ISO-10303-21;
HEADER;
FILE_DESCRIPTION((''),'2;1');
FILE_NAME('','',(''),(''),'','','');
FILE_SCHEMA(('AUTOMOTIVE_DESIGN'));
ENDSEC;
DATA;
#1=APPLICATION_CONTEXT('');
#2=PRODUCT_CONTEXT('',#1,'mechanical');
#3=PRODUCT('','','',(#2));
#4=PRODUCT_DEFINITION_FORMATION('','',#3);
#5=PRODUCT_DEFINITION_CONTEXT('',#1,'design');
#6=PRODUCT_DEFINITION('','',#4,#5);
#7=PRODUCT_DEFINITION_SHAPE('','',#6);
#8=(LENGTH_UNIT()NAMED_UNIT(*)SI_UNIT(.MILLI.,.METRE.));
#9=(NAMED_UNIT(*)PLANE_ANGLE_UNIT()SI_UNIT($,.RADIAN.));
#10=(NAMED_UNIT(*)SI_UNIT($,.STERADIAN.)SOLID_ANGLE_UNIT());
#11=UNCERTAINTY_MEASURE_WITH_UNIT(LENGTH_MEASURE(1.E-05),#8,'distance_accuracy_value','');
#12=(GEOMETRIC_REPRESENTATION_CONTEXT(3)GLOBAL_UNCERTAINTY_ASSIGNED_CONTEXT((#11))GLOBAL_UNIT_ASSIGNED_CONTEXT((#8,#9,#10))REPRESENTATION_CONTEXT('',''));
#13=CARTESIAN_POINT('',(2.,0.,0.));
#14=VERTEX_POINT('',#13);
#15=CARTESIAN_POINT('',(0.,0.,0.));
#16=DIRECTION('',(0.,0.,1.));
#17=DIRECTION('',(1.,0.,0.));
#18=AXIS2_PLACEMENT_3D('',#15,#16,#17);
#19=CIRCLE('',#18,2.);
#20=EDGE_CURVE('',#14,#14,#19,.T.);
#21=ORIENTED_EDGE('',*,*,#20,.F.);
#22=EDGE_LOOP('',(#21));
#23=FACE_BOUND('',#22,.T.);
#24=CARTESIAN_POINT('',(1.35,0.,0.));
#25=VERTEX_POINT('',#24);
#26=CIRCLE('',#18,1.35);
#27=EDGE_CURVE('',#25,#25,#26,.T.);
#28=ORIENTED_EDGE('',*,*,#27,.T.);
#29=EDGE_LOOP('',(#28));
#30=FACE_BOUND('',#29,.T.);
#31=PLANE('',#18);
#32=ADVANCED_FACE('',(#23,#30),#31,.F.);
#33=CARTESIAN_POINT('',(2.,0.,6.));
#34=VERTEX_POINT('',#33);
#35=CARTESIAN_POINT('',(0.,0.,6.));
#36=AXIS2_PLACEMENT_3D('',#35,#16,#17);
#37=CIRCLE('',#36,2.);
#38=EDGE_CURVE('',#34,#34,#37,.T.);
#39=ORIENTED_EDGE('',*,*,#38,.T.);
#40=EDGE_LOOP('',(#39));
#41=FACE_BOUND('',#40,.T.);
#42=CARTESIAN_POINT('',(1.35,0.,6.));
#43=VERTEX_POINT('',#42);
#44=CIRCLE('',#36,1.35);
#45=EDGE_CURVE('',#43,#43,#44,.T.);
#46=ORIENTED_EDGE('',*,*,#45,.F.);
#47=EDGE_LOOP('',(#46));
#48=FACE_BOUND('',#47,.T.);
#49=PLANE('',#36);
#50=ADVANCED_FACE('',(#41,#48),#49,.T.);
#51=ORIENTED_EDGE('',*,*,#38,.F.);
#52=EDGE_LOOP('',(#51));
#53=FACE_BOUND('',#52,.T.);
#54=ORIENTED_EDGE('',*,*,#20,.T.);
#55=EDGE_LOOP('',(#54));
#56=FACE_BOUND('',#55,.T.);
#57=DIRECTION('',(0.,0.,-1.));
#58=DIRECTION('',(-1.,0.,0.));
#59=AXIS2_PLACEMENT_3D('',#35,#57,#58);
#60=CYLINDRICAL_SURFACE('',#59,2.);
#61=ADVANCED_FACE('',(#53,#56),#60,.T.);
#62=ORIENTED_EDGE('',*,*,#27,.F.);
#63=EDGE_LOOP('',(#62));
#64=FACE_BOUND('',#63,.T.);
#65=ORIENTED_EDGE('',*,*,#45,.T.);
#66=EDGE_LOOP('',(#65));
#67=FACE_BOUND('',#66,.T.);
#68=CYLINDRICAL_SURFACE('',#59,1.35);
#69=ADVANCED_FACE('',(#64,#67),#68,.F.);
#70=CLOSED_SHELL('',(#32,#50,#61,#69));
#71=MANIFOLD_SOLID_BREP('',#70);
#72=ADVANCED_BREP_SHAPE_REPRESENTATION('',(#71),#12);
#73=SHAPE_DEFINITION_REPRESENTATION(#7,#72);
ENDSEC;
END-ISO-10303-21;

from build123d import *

# Parameters (mm, degrees)
CROQUIS1_R              = 2
CROQUIS1_R_2            = 1.35
SALIENTE_EXTRUIR1_DEPTH = 6


with BuildPart() as part:
    # Croquis1 → Saliente-Extruir1 (new body)
    with BuildSketch(Plane.XY):
        Circle(CROQUIS1_R)
        Circle(CROQUIS1_R_2, mode=Mode.SUBTRACT)
    extrude(amount=SALIENTE_EXTRUIR1_DEPTH)


solid = part.part
